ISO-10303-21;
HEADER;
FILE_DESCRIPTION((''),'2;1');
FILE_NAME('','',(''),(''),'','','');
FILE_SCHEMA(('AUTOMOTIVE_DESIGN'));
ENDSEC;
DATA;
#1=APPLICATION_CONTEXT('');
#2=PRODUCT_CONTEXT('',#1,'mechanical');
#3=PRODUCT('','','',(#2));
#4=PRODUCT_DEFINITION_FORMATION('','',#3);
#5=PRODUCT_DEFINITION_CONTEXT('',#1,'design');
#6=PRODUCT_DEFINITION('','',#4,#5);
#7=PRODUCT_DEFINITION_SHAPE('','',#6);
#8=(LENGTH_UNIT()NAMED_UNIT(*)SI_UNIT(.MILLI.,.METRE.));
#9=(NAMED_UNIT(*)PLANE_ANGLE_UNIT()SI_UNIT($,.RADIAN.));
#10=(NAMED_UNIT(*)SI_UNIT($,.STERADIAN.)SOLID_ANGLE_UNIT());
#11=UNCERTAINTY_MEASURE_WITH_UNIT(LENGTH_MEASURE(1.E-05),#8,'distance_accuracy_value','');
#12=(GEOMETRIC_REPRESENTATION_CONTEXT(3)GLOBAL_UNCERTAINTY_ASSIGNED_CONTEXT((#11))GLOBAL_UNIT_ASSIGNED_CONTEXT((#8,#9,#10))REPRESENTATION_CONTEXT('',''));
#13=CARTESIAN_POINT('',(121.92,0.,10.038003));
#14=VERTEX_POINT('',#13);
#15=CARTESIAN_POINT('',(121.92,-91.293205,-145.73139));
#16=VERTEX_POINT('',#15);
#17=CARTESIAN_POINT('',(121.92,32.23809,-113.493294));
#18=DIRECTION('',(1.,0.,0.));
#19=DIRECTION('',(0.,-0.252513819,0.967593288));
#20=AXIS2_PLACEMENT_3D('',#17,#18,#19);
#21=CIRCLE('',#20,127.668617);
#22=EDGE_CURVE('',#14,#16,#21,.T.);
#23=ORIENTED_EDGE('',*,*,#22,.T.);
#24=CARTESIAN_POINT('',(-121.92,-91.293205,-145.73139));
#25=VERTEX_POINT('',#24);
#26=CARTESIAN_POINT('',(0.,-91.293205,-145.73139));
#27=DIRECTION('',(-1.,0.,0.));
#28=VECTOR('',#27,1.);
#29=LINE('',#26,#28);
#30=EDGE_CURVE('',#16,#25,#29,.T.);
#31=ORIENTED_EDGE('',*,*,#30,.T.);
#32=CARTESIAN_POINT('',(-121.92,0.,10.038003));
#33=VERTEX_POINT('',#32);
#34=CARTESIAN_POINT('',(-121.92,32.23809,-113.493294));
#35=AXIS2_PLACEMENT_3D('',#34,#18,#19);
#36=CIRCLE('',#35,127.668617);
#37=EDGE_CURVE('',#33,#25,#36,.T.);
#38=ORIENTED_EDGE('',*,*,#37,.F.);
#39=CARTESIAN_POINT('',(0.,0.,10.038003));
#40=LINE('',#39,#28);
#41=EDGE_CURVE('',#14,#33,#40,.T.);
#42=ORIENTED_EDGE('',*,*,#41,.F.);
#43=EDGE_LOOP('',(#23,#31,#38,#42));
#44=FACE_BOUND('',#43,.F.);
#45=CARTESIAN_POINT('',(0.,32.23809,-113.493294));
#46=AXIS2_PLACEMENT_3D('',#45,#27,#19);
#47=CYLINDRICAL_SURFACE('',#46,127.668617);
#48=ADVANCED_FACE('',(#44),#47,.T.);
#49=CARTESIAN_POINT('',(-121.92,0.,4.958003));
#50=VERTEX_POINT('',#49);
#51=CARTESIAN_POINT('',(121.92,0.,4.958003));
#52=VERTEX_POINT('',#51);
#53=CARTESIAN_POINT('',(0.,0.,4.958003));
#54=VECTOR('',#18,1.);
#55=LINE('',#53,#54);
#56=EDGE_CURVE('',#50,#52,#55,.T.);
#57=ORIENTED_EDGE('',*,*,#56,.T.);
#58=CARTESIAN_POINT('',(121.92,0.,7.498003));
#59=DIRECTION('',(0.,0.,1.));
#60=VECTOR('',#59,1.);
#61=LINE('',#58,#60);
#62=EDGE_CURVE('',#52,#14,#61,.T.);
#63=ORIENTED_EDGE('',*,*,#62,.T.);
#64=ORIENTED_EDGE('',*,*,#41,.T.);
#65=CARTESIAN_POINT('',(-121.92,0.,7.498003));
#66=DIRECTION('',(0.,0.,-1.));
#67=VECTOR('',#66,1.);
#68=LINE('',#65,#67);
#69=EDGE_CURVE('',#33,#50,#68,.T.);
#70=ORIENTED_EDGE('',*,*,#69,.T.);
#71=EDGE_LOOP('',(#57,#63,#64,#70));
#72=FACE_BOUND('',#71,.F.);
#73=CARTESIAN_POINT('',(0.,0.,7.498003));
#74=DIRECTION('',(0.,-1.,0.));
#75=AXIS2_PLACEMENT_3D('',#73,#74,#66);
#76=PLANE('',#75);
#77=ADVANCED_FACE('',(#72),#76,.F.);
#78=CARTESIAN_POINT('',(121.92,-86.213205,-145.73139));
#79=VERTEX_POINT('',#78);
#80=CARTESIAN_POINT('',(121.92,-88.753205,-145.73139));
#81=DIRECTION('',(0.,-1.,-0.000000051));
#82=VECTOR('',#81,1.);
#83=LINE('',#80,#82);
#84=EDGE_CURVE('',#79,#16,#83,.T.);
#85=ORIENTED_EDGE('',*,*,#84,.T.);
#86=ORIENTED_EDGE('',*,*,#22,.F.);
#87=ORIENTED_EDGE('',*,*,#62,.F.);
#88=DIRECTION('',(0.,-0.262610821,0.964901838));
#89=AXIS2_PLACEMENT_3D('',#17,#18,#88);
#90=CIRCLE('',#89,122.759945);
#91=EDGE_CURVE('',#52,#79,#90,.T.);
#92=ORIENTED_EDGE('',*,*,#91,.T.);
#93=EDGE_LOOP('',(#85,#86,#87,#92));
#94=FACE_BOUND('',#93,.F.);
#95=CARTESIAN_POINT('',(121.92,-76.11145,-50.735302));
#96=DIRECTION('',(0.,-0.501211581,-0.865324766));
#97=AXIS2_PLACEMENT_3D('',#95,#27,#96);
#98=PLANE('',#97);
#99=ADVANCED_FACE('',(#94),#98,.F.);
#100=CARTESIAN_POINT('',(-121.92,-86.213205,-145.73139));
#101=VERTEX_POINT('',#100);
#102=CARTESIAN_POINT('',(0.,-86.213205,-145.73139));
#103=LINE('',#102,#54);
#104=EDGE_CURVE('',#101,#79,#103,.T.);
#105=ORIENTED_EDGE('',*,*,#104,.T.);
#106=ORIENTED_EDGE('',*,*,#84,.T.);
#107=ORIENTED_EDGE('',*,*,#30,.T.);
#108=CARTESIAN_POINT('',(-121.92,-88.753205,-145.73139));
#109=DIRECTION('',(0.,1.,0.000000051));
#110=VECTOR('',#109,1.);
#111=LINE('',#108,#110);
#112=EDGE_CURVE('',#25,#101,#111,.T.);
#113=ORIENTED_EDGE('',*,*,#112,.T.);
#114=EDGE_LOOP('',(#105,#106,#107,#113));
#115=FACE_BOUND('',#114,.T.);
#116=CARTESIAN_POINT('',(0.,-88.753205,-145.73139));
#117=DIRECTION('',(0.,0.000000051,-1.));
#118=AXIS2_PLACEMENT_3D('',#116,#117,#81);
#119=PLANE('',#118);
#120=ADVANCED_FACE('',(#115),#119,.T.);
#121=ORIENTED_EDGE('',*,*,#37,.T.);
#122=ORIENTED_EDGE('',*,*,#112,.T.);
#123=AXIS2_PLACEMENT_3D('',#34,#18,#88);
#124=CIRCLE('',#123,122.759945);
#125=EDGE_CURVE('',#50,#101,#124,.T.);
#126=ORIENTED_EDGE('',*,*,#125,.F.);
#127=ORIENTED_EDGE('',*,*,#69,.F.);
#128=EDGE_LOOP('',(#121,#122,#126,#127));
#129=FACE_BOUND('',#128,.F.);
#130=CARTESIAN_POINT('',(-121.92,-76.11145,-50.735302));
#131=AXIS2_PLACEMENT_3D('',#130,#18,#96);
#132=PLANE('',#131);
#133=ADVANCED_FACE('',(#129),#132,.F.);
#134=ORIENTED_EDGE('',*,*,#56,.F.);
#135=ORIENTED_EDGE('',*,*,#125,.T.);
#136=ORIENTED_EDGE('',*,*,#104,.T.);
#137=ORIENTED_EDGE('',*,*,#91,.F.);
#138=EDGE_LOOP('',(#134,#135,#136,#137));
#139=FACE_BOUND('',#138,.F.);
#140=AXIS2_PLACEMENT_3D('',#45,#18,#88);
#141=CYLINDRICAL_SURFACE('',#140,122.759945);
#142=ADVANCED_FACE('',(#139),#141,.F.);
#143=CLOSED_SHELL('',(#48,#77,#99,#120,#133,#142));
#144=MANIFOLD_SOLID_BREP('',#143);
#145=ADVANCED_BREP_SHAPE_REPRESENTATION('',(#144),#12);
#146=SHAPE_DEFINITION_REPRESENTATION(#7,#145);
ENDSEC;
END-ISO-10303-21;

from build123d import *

# Parameters (mm, degrees)
F0_W = 243.84
F0_H = 5.08


with BuildPart() as f2:
    # F2: sweep along a path in F1
    with BuildLine(Plane.YZ) as f2_path:
        ThreePointArc((0, 9.346869), (-77.418796, -49.427957), (-90.602071, -145.73139))
    # F0 (on Front) → F2 (sweep)
    with BuildSketch(Plane.XZ):
        with Locations((0, 7.498003)):
            Rectangle(F0_W, F0_H)
    sweep(path=f2_path.line)


solid = f2.part
